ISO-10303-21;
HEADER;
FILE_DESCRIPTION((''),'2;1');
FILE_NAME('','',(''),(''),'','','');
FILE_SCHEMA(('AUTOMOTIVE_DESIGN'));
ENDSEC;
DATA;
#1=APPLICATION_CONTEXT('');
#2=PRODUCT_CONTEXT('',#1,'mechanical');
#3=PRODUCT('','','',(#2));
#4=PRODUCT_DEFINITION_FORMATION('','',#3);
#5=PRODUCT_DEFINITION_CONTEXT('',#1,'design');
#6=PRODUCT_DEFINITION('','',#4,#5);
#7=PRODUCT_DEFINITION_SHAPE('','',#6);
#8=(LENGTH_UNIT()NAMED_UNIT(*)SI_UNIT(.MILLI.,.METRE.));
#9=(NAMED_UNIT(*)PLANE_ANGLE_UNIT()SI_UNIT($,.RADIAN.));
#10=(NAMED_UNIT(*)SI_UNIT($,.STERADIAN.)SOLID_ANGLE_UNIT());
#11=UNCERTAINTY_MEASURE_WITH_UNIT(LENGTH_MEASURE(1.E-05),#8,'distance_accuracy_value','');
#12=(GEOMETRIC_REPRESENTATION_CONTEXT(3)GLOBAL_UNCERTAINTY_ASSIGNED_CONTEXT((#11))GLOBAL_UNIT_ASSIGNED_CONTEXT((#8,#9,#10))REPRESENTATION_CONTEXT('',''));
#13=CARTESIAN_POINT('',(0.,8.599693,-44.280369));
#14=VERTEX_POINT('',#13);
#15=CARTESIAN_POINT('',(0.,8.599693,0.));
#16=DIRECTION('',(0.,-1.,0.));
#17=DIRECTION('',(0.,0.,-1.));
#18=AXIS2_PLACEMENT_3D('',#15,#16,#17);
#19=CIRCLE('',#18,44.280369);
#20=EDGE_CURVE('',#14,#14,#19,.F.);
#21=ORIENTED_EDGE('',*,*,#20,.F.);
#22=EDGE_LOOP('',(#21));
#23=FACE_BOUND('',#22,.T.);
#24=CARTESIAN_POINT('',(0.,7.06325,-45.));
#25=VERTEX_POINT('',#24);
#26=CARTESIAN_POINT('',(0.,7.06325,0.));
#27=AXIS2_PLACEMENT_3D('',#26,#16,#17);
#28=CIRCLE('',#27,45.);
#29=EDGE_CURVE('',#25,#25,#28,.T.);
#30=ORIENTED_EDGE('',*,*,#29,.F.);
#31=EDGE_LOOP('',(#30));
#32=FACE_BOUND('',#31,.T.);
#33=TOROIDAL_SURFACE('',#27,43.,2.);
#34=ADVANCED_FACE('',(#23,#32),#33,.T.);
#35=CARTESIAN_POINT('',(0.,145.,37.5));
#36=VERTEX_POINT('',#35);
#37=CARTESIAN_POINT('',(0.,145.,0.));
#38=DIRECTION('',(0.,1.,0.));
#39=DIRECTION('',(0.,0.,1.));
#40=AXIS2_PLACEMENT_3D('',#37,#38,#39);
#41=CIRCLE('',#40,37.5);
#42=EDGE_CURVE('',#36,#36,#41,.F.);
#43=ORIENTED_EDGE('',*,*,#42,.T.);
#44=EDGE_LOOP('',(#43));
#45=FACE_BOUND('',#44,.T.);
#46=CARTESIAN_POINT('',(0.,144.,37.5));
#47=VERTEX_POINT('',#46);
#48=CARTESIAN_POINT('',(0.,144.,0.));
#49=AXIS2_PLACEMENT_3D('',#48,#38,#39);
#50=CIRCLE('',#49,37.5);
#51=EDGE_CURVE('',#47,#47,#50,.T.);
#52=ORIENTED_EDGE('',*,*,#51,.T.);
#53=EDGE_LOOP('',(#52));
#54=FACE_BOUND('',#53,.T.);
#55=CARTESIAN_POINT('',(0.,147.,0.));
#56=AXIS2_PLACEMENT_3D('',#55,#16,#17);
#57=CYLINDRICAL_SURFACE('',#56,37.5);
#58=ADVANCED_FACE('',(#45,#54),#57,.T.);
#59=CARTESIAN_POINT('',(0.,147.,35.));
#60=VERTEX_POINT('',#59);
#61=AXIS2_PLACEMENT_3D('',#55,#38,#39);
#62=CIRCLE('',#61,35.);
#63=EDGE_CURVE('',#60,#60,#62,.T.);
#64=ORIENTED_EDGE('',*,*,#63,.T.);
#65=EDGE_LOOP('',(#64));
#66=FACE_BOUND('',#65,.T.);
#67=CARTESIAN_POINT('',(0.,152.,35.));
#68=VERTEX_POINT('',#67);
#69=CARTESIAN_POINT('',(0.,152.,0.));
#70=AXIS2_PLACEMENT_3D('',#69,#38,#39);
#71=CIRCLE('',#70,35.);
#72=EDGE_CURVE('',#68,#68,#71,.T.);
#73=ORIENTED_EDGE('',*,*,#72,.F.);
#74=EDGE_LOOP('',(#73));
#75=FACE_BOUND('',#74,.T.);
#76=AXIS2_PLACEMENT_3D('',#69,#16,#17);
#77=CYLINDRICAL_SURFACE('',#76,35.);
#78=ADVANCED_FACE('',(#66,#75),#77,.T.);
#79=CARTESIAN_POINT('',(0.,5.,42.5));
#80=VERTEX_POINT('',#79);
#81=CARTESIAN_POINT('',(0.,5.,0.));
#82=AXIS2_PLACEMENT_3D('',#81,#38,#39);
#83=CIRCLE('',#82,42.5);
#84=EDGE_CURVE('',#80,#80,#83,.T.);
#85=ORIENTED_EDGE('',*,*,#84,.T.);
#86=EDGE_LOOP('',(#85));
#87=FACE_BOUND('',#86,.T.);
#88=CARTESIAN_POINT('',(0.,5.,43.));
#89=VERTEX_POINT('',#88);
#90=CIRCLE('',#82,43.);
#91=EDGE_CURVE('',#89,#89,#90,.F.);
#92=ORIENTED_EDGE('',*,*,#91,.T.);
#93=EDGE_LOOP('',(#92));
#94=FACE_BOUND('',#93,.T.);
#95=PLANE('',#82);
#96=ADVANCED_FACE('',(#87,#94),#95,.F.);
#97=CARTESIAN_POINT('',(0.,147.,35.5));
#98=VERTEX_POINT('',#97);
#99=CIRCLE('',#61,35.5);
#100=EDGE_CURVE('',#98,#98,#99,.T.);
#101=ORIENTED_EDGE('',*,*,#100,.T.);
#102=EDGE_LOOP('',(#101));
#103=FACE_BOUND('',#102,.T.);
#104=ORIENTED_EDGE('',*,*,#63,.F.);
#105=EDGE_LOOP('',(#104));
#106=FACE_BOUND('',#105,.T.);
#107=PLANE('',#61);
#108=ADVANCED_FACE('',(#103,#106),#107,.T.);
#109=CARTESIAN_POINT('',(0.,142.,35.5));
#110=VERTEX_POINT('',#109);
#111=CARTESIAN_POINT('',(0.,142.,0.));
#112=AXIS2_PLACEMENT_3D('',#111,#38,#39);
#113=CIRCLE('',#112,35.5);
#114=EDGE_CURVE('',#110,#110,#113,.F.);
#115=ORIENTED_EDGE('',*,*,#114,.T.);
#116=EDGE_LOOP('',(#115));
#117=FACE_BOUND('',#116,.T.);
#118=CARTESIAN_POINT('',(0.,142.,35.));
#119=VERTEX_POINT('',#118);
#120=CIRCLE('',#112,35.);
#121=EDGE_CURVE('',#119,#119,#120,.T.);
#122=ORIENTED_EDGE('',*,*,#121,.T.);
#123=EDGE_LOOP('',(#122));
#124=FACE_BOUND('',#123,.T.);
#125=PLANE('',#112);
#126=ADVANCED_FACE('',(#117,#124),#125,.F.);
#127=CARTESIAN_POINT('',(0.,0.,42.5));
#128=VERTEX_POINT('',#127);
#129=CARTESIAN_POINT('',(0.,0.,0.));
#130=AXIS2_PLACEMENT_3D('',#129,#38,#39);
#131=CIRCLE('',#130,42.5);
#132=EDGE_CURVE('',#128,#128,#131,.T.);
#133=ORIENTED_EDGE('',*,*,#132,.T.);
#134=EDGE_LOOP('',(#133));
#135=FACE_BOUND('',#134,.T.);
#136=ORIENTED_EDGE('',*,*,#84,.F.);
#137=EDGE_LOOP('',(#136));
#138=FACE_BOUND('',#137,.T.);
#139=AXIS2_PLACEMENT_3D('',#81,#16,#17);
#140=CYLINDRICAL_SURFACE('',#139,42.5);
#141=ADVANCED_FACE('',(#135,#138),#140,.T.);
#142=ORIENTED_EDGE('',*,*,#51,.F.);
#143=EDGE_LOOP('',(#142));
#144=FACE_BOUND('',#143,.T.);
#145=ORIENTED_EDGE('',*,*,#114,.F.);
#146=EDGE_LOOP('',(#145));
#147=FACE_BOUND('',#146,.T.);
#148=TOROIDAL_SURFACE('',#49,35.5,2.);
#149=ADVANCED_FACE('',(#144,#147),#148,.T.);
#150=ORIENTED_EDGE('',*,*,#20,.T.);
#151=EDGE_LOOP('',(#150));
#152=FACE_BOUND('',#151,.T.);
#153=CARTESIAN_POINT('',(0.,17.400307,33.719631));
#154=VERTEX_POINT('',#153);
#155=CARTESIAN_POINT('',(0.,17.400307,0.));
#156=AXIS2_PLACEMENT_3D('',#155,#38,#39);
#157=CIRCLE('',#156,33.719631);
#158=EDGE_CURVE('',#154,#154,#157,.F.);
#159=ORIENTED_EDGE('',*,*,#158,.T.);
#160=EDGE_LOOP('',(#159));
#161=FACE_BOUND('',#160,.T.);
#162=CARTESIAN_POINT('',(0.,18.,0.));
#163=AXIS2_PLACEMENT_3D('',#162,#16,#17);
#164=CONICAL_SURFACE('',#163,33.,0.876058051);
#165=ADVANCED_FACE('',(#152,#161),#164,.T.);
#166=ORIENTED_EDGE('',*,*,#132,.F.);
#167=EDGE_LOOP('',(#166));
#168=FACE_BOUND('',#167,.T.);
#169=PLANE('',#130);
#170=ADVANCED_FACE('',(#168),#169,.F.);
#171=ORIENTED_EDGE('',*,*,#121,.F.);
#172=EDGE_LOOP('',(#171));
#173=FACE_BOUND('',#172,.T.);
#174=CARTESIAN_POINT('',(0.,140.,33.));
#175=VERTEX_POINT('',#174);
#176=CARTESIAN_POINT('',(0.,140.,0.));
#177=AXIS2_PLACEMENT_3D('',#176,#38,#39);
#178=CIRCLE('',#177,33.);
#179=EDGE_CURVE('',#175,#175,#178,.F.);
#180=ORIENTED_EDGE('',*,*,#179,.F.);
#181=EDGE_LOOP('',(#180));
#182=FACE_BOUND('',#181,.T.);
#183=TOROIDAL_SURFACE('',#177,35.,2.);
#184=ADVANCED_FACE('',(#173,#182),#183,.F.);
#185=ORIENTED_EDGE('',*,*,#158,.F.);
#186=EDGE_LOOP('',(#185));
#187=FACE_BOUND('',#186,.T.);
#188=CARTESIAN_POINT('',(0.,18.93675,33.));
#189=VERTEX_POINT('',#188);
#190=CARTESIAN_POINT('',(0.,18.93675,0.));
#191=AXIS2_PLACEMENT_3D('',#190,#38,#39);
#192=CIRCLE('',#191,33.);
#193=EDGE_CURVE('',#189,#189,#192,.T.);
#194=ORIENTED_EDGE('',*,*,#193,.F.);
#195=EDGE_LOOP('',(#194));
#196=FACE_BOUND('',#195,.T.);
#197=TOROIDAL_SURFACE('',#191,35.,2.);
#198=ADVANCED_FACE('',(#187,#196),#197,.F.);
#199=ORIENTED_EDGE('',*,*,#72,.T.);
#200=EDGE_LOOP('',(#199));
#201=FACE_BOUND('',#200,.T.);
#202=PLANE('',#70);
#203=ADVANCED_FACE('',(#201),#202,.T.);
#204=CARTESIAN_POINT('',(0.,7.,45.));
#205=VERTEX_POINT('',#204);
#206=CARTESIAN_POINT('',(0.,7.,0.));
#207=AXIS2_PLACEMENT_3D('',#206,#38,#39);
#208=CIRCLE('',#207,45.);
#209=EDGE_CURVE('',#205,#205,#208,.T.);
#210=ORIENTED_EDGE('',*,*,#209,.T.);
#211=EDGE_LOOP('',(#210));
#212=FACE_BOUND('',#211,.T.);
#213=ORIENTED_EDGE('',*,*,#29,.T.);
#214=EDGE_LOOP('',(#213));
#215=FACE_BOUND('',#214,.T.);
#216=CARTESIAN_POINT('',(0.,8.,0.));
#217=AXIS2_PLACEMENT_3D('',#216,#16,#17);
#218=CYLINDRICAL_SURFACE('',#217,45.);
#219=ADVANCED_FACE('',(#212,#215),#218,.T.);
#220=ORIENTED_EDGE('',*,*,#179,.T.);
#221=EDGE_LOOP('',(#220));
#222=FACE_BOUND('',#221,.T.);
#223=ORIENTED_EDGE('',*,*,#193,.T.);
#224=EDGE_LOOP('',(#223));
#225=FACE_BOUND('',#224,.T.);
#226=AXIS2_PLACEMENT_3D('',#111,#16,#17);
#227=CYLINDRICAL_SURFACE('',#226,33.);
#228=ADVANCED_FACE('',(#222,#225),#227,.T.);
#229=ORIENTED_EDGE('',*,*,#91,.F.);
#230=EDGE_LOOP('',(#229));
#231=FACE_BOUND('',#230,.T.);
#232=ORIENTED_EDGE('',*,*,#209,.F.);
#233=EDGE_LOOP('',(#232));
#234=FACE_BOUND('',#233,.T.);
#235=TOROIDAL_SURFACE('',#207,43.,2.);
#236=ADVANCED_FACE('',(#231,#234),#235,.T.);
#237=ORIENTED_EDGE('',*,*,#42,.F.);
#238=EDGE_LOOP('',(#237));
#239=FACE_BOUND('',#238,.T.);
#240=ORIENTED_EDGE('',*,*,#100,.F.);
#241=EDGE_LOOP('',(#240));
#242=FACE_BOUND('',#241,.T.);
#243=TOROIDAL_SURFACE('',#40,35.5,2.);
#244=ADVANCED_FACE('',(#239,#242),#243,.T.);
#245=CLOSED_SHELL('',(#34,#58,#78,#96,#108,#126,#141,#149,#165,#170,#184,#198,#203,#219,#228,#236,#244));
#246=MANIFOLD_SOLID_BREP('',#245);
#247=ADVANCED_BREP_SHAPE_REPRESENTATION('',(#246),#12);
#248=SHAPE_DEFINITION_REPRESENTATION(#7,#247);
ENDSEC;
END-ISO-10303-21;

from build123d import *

# Parameters (mm, degrees)
SKETCH1_R           = 42.5
BOSS_EXTRUDE1_DEPTH = 5
SKETCH2_R           = 45
BOSS_EXTRUDE2_DEPTH = 3
SKETCH3_R           = 33
BOSS_EXTRUDE3_START = -18
SKETCH4_R           = 33
BOSS_EXTRUDE3_DEPTH = 142
SKETCH5_R           = 37.5
BOSS_EXTRUDE4_DEPTH = 5
FILLET1_R           = 2
FILLET2_R           = 2
SKETCH7_R           = 35
BOSS_EXTRUDE5_DEPTH = 5


with BuildPart() as part:
    # Sketch1 → Boss-Extrude1 (new body)
    with BuildSketch(Plane(origin=(0, 0, 0), x_dir=(1, 0, 0), z_dir=(0, 1, 0))):
        Circle(SKETCH1_R)
    extrude(amount=BOSS_EXTRUDE1_DEPTH)

    # Sketch2 → Boss-Extrude2 (add)
    with BuildSketch(Plane(origin=(0, 5, 0), x_dir=(1, 0, 0), z_dir=(0, 1, 0))):
        Circle(SKETCH2_R)
    extrude(amount=BOSS_EXTRUDE2_DEPTH)

    # Sketch3 → section 1 of loft1
    with BuildSketch(Plane(origin=(0, 18, 0), x_dir=(1, 0, 0), z_dir=(0, 1, 0)), mode=Mode.PRIVATE) as loft1_s1:
        Circle(SKETCH3_R)
    # loft from a face of the part (loft1)
    loft([part.faces().sort_by_distance((0, 8, 0))[0], loft1_s1.sketch])

    # Sketch4 → Boss-Extrude3 (add)
    with BuildSketch(Plane(origin=(0, 18, 0), x_dir=(1, 0, 0), z_dir=(0, 1, 0)).offset(BOSS_EXTRUDE3_START)):
        Circle(SKETCH4_R)
    extrude(amount=BOSS_EXTRUDE3_DEPTH)

    # Sketch5 → Boss-Extrude4 (add)
    with BuildSketch(Plane(origin=(0, 142, 0), x_dir=(1, 0, 0), z_dir=(0, 1, 0))):
        Circle(SKETCH5_R)
    extrude(amount=BOSS_EXTRUDE4_DEPTH)

    # Fillet1
    fillet1_edges = [part.edges().sort_by_distance(p)[0] for p in [
        (-33, 142, 0),
        (-33, 18, 0),
        (-45, 8, 0),
        (-45, 5, 0),
    ]]
    fillet(fillet1_edges, radius=FILLET1_R)

    # Fillet2
    fillet2_edges = [part.edges().sort_by_distance(p)[0] for p in [
        (-37.5, 142, 0),
        (-37.5, 147, 0),
    ]]
    fillet(fillet2_edges, radius=FILLET2_R)

    # Sketch7 → Boss-Extrude5 (add)
    with BuildSketch(Plane(origin=(0, 147, 0), x_dir=(1, 0, 0), z_dir=(0, 1, 0))):
        Circle(SKETCH7_R)
    extrude(amount=BOSS_EXTRUDE5_DEPTH)


solid = part.part
